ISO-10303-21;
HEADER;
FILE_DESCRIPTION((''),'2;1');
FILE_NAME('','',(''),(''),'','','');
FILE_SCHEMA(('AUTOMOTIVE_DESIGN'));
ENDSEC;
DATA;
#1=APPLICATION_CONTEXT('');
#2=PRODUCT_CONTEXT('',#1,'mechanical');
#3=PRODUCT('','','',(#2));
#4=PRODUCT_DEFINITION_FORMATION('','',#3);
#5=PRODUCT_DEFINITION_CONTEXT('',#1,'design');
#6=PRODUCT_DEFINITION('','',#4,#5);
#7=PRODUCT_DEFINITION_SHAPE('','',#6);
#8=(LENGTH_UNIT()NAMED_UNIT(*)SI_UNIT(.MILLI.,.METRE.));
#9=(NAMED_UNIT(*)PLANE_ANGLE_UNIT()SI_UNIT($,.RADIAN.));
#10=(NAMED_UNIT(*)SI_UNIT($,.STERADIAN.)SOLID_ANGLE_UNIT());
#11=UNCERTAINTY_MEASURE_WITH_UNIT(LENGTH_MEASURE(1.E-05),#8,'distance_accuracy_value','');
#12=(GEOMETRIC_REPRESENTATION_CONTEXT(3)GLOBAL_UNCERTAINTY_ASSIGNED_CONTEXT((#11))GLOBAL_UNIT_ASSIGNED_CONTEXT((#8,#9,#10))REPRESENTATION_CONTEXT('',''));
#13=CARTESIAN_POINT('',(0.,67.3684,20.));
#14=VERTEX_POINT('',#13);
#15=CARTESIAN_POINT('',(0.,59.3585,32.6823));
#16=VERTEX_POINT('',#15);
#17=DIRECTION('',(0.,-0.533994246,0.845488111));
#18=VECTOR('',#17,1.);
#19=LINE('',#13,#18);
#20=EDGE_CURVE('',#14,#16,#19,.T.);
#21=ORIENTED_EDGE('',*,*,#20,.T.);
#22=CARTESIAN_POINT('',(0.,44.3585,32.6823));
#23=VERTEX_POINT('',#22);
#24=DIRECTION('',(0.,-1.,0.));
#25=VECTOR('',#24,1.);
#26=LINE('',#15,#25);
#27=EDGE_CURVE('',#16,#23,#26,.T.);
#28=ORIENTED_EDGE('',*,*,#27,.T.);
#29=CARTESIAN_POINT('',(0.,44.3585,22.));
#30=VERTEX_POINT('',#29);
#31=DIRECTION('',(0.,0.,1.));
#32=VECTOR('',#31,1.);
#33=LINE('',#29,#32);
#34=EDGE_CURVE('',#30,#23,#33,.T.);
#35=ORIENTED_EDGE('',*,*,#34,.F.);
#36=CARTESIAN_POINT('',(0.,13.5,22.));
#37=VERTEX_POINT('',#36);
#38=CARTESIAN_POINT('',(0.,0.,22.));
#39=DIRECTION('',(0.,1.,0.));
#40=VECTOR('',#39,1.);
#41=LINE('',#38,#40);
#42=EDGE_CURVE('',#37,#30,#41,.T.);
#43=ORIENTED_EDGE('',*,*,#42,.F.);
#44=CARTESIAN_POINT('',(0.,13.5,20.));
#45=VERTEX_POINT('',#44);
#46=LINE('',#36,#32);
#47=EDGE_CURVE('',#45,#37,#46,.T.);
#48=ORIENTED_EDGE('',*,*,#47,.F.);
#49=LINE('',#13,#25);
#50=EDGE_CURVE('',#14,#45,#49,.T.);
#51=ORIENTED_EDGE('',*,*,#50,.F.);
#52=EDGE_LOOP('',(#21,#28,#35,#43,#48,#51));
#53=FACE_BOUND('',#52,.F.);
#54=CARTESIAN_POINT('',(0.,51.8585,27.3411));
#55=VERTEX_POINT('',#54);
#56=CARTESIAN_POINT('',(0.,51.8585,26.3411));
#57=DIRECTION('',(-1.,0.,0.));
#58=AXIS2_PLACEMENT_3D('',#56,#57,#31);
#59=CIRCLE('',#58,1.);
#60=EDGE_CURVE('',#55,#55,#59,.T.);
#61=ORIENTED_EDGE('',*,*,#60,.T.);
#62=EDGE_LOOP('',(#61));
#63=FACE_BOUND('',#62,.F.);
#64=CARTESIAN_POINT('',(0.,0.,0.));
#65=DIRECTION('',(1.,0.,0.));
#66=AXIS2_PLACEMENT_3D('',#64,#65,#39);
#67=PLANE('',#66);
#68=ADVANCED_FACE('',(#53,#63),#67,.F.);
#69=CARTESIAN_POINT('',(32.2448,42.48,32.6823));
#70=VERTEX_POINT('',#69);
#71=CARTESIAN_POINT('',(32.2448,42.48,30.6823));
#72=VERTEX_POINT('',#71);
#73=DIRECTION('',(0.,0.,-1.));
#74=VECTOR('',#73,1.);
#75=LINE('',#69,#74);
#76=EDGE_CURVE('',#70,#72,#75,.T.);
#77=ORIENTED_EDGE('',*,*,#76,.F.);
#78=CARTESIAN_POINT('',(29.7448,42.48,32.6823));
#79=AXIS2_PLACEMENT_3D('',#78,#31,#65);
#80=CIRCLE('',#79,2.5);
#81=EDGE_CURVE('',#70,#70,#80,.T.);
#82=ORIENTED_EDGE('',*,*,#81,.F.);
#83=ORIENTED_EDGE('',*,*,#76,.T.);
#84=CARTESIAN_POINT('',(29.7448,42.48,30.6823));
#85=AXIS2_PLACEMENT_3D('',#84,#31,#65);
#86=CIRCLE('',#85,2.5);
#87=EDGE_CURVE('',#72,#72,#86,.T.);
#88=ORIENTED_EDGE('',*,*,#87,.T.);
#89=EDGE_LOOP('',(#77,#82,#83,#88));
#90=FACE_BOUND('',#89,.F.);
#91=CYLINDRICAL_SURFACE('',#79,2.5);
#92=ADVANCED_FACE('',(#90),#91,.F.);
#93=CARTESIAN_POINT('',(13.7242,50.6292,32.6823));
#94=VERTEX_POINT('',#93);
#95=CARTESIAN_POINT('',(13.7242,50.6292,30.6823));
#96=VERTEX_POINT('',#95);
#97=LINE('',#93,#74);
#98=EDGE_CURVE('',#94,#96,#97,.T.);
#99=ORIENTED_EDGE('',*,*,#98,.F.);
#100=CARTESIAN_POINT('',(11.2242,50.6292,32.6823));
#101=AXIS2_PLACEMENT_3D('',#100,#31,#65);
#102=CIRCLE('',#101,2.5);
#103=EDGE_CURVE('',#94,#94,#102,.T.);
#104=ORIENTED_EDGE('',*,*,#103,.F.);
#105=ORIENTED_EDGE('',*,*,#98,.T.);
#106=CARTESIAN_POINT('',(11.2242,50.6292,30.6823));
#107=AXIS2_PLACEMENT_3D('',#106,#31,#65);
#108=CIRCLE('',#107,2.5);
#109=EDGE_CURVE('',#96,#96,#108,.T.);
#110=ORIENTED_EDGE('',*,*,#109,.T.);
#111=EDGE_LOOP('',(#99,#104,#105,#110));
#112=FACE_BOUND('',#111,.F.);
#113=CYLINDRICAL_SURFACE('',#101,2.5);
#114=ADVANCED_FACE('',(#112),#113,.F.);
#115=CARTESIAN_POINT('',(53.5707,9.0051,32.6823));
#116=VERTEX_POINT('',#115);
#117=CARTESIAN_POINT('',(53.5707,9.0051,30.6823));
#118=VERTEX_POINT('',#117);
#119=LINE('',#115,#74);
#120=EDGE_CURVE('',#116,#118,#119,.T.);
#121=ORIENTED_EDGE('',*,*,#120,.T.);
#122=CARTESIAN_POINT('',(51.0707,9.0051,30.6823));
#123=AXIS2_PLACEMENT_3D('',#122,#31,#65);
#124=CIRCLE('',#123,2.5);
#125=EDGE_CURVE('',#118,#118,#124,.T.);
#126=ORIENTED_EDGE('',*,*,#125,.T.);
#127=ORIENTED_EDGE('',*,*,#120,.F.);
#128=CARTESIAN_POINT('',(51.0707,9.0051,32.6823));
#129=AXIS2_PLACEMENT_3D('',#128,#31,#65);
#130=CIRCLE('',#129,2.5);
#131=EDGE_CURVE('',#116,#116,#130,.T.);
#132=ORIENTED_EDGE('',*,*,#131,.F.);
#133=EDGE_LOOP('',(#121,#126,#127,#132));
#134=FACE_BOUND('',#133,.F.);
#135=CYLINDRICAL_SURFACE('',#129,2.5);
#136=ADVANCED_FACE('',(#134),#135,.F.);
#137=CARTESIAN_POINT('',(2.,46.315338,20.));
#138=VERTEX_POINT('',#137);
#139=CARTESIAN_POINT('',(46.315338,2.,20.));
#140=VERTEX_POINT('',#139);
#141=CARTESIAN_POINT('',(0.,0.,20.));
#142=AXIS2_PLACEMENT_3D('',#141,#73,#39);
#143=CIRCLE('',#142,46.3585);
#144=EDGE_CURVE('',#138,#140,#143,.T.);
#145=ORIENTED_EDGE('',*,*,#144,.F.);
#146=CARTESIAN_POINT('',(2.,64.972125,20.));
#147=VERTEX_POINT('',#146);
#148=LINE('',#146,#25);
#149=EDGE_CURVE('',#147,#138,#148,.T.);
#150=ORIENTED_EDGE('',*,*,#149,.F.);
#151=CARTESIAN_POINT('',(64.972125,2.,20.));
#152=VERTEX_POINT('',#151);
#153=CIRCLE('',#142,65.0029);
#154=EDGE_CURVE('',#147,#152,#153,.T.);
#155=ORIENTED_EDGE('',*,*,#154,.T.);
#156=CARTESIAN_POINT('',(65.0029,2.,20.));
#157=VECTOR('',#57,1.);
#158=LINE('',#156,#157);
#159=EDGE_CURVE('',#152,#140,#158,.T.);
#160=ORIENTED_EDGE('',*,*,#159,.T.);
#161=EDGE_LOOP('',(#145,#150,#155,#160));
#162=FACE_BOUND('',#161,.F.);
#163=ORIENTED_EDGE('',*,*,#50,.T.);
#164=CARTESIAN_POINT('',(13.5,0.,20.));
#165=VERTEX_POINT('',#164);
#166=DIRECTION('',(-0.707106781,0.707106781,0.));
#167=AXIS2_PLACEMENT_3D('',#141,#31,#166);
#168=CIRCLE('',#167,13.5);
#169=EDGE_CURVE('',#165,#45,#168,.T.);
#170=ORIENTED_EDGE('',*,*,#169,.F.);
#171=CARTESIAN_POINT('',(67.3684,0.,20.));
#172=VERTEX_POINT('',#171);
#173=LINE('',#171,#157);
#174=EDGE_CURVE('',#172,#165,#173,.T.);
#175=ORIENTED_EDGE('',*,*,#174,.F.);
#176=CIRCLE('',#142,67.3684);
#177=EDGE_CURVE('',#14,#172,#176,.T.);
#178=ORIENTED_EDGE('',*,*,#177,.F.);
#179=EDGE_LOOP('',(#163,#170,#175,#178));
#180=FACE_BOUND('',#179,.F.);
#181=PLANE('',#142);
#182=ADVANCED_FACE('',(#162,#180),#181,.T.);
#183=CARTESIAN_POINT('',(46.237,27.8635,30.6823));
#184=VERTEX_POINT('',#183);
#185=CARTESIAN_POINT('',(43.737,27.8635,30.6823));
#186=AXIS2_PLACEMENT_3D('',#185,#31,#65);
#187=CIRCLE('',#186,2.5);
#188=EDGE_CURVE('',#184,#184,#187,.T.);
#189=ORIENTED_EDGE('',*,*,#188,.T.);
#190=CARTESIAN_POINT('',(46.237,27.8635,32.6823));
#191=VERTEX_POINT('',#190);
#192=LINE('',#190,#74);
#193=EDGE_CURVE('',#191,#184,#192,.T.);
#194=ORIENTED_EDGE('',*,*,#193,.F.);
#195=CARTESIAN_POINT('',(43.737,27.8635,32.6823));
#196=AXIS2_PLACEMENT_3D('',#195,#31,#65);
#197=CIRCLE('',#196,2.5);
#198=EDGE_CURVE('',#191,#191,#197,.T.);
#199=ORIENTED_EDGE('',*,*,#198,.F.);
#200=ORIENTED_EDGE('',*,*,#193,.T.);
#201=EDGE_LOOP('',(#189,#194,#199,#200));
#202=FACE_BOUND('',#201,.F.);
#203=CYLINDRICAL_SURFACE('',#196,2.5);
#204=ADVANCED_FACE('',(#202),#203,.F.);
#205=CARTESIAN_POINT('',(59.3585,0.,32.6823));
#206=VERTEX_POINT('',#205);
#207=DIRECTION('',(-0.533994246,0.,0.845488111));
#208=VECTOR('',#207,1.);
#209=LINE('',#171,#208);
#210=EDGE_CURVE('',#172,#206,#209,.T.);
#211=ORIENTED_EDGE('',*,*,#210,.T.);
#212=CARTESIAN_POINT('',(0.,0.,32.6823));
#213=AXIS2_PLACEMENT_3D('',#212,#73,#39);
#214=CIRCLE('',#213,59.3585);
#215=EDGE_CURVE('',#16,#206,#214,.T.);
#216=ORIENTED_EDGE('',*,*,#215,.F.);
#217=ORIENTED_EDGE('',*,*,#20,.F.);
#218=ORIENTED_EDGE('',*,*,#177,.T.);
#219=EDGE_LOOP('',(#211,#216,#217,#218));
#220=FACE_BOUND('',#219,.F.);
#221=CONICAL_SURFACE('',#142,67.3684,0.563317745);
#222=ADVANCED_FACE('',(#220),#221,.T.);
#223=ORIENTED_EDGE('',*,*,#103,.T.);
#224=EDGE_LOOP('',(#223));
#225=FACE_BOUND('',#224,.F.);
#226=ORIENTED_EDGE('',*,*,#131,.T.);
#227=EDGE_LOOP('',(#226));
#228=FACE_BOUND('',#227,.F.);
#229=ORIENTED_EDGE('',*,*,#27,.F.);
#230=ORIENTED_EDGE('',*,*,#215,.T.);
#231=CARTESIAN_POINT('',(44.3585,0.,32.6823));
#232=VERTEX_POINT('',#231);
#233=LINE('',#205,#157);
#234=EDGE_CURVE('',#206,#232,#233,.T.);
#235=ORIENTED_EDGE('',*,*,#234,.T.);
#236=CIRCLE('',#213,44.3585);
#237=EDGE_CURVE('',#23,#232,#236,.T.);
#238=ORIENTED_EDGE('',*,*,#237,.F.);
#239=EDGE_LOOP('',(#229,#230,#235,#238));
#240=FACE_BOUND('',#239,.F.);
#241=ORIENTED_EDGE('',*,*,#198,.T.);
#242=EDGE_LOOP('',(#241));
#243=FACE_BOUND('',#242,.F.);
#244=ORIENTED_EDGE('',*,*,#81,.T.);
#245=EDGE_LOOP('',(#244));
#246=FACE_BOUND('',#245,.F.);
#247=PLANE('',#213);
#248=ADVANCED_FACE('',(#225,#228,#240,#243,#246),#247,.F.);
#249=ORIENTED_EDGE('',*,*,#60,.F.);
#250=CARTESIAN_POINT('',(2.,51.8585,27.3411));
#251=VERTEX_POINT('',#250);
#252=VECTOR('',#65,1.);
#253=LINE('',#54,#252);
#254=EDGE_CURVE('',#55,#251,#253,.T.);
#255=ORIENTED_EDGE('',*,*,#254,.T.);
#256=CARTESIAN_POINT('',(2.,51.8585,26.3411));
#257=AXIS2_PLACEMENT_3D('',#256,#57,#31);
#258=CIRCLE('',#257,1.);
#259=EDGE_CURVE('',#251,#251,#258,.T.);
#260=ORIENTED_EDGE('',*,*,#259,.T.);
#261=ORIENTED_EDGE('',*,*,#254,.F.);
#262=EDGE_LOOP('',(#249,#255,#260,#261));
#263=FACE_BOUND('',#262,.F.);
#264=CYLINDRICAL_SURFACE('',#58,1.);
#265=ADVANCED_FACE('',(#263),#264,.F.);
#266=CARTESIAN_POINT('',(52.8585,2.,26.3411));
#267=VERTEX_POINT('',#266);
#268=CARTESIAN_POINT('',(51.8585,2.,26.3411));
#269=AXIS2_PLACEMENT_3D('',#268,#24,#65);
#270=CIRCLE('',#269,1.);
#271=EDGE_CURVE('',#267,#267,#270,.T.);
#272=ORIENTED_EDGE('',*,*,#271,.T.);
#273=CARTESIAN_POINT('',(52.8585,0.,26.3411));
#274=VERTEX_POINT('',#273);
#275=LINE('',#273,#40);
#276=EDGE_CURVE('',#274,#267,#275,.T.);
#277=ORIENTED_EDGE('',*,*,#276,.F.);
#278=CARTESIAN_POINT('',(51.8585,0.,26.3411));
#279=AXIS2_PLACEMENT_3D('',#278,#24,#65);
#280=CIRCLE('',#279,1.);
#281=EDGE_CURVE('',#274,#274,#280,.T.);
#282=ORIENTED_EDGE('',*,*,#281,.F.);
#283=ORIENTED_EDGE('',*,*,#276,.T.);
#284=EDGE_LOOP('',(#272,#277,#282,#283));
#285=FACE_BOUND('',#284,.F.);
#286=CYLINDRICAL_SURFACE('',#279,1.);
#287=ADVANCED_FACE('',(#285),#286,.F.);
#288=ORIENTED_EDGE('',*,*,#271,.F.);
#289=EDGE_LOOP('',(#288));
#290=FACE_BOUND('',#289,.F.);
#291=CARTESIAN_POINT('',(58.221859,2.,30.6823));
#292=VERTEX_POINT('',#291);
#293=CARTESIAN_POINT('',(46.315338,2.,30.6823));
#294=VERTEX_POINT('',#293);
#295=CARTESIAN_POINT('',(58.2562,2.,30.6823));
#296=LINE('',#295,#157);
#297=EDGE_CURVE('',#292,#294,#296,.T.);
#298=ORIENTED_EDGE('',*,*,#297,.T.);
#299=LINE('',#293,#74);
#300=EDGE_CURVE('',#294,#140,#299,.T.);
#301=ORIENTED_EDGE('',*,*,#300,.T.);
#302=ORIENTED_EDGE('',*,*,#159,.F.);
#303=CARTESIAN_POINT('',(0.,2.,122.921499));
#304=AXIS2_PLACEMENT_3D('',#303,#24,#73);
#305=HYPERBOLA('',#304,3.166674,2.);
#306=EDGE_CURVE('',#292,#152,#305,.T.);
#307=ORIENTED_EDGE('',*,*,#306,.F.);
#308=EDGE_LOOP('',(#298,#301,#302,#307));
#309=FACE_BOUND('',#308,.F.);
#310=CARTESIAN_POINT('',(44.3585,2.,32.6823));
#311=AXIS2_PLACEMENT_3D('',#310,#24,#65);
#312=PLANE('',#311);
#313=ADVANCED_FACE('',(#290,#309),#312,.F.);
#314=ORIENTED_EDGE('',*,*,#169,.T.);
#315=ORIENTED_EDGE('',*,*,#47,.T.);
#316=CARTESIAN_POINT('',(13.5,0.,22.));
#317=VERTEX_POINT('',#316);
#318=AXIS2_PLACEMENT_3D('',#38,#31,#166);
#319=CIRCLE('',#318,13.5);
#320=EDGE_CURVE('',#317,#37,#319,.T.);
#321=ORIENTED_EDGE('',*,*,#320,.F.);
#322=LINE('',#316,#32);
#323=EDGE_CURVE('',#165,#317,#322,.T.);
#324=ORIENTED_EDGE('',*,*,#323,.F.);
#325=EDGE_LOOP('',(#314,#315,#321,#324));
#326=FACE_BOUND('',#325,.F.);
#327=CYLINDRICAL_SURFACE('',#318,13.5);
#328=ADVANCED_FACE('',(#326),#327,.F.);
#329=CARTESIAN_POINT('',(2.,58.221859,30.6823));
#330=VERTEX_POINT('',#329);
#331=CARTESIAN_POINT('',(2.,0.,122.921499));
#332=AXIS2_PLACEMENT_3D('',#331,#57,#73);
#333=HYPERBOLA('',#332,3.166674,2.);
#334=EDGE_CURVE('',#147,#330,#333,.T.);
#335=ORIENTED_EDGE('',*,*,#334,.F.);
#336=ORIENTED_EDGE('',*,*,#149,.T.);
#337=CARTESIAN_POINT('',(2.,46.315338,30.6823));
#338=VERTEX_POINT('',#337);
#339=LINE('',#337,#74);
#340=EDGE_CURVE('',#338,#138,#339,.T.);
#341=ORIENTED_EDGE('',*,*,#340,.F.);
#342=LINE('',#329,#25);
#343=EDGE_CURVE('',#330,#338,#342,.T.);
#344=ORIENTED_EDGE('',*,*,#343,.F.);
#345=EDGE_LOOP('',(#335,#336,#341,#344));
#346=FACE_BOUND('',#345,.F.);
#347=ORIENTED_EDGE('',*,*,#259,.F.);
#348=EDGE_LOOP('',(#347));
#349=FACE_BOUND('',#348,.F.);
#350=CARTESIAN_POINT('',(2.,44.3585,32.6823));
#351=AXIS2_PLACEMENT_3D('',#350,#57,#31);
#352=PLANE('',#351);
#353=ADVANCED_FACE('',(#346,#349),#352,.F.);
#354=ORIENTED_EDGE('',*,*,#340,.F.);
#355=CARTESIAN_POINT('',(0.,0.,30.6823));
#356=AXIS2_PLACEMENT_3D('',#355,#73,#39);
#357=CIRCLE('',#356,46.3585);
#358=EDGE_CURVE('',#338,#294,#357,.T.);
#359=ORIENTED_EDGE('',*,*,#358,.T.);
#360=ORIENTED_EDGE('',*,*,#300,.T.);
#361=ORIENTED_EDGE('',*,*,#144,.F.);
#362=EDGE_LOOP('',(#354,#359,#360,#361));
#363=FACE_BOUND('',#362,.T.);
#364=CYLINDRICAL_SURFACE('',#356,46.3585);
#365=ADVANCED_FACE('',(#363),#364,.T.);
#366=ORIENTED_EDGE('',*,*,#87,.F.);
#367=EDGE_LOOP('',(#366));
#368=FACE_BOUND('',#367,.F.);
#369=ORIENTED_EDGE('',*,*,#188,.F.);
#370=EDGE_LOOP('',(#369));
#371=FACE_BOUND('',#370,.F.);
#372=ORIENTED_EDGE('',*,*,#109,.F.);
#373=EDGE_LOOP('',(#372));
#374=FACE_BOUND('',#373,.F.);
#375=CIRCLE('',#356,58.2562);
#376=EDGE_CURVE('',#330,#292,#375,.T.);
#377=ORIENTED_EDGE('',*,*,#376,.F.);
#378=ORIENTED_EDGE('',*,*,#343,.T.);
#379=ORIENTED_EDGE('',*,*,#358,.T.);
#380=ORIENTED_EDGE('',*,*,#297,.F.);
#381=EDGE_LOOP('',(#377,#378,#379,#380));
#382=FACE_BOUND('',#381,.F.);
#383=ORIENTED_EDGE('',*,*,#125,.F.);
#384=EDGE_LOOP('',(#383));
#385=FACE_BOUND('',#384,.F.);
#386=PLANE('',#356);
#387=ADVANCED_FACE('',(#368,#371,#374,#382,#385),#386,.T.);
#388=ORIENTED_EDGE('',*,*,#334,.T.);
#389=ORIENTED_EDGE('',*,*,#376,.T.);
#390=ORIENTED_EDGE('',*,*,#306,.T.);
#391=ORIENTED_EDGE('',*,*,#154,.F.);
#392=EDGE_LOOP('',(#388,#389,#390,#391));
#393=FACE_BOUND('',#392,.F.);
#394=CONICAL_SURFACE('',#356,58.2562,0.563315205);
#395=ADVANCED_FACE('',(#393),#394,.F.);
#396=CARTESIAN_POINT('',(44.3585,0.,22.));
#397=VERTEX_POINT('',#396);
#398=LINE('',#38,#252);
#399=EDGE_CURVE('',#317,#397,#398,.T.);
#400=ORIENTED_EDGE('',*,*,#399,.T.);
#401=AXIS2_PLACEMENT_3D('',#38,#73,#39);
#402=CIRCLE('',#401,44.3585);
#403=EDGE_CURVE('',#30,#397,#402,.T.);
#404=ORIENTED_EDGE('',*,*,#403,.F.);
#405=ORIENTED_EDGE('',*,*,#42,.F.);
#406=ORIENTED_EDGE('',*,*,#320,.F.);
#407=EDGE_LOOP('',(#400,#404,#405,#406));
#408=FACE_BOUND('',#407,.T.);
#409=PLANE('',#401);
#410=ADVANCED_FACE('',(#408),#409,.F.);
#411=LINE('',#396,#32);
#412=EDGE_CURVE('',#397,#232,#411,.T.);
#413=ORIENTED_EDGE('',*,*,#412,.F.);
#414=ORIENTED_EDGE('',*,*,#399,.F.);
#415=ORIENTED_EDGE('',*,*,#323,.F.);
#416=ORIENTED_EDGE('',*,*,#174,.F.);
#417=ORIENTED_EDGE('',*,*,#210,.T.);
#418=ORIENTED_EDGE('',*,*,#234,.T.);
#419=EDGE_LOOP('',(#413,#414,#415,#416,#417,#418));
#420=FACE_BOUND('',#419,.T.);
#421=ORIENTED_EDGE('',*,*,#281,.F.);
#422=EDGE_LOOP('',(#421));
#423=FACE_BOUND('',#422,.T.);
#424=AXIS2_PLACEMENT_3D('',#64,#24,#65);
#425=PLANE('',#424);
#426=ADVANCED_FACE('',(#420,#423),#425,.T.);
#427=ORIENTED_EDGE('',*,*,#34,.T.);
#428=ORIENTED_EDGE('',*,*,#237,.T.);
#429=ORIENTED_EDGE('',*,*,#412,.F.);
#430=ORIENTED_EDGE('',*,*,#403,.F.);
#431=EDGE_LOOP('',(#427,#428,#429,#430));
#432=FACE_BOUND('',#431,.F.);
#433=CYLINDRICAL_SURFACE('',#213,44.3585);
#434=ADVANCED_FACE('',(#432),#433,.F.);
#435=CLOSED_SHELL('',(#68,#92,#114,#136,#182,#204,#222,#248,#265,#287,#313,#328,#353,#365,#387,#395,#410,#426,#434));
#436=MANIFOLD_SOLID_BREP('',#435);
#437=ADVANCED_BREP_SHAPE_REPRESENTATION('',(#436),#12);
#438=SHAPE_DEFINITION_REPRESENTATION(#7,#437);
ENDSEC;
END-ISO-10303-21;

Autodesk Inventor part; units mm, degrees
ref_plane "YZ Plane" through (0, 0, 0) normal (1, 0, 0) x (0, 1, 0)
ref_plane "XZ Plane" through (0, 0, 0) normal (0, 1, 0) x (-1, 0, 0)
ref_plane "XY Plane" through (0, 0, 0) normal (0, 0, 1) x (1, 0, 0)
sketch "Esquisse4" plane through (0, 0, 0) normal (1, 0, 0) x (0, 1, 0)
  line L0 (0, 0) -> (80, 0) construction
  line L1 (0, 0) -> (0, 76) construction
  line L2 (0, 76) -> (32, 76) construction
  line L3 (32, 76) -> (80, 0) construction
  line L4 (67.3684, 0) -> (67.3684, 20) construction
  line L5 (67.3684, 20) -> (0, 20) construction
  line L6 (67.3684, 20) -> (59.3585, 32.6823)
  line L7 (0, 20) -> (0, 22)
  line L8 (59.3585, 32.6823) -> (44.3585, 32.6823)
  line L9 (44.3585, 32.6823) -> (44.3585, 20)
  line L10 (44.3585, 20) -> (46.3585, 20)
  line L11 (46.3585, 20) -> (46.3585, 32.6823) construction
  line L12 (46.3585, 32.6823) -> (46.3585, 30.6823) construction
  line L13 (46.3585, 30.6823) -> (60.6217, 30.6823) construction
  line L14 (46.3585, 30.6823) -> (46.3585, 20)
  line L15 (58.2562, 30.6823) -> (65.0029, 20)
  line L16 (60.6217, 30.6823) -> (58.9307, 29.6143) construction
  line L17 (46.3585, 30.6823) -> (58.2562, 30.6823)
  line L18 (65.0029, 20) -> (67.3684, 20)
  line L19 (0, 20) -> (44.3585, 20)
  line L20 (0, 22) -> (44.3585, 22)
  dimension "d23" = 80
  dimension "d24" = 76
  dimension "d25" = 32
  dimension "d27" = 20
  dimension "d28" = 15
  dimension "d29" = 2
  dimension "d30" = 15
  dimension "d31" = 2
  dimension "d32" = 2
  dimension "d33" = 2
revolve "Révolution2" add sketch "Esquisse4" angle 90 about axis through (0, 0, 0) along (0, 0, -1)
sketch "Esquisse9" plane through (0, 0, 22) normal (0, 0, 1) x (-0.7071, 0.7071, 0)
  circle A0 centre (0, 0) radius 44.3585 projected
  circle A1 centre (0, 0) radius 13.5
  dimension "d35" = 27
extrude "Extrusion3" cut sketch "Esquisse9" against normal blind 10 contours A1
sketch "Esquisse14" plane through (0, 44.3585, 32.6823) normal (-1, 0, 0) x (0, 0, 1)
  line L0 (0, 0) -> (-10.6823, 0) projected
  line L1 (-12.6823, 20.6444) -> (-12.6823, 23.0099) projected
  line L2 (-2, 13.8977) -> (-12.6823, 20.6444) projected
  line L3 (-2, 2) -> (-2, 13.8977) projected
  line L4 (-12.6823, -30.8585) -> (-12.6823, 2) projected
  line L5 (-12.6823, 20.6444) -> (-2, 13.8977)
  line L6 (-2, 13.8977) -> (-2, 0)
  line L7 (-2, 0) -> (-12.6823, 0)
  line L8 (-12.6823, 0) -> (-12.6823, 20.6444)
  point P0 (-32.6823, -44.3585)
extrude "Extrusion8" add sketch "Esquisse14" against normal blind 2
sketch "Esquisse15" plane through (44.3585, 0, 32.6823) normal (0, -1, 0) x (1, 0, 0)
  line L0 (-30.8585, -10.6823) -> (-30.8585, -12.6823) projected
  line L1 (-30.8585, -12.6823) -> (2, -12.6823) projected
  line L2 (13.8977, -2) -> (20.6444, -12.6823) projected
  line L3 (0, 0) -> (0, -10.6823) projected
  line L4 (0, -10.6823) -> (-30.8585, -10.6823) projected
  line L5 (20.6444, -12.6823) -> (13.8977, -2)
  line L6 (13.8977, -2) -> (0, -2)
  line L7 (0, -2) -> (0, -12.6823)
  line L8 (0, -12.6823) -> (20.6444, -12.6823)
  point P0 (-44.3585, -32.6823)
extrude "Extrusion9" add sketch "Esquisse15" against normal blind 2
sketch "Esquisse17" plane through (44.3585, 0, 32.6823) normal (0, -1, 0) x (1, 0, 0)
  line L0 (-30.8585, -12.6823) -> (23.0099, -12.6823) projected
  line L1 (15, 0) -> (0, 0) projected
  line L2 (15, 0) -> (0, 0) construction
  line L3 (7.5, 0) -> (7.5, -12.6823) construction
  circle A0 centre (7.5, -6.3412) radius 1
  point P0 (-44.3585, -32.6823)
  dimension "d61" = 2
extrude "Extrusion10" cut sketch "Esquisse17" against normal blind 2
sketch "Esquisse18" plane through (0, 44.3585, 32.6823) normal (-1, 0, 0) x (0, 0, 1)
  line L0 (-12.6823, -30.8585) -> (-12.6823, 23.0099) projected
  line L1 (0, 15) -> (0, 0) projected
  line L2 (0, 0) -> (0, 15) construction
  line L3 (0, 7.5) -> (-12.6823, 7.5) construction
  circle A0 centre (-6.3412, 7.5) radius 1
  point P0 (-32.6823, -44.3585)
  dimension "d64" = 2
extrude "Extrusion11" cut sketch "Esquisse18" against normal blind 2
sketch "Esquisse19" plane through (0, 44.3585, 32.6823) normal (0, 0, 1) x (1, 0, 0)
  arc A0 (44.3585, -44.3585) -> (0, 0) centre (0, -44.3585) ccw projected
  line L0 (59.3585, -44.3585) -> (44.3585, -44.3585) projected
  arc A1 (59.3585, -44.3585) -> (0, 15) centre (0, -44.3585) ccw projected
  line L1 (0, -44.3585) -> (59.3585, -44.3585) construction
  line L2 (44.3585, -44.3585) -> (59.3585, -44.3585) construction
  line L3 (0, -44.3585) -> (50.0625, -12.4652) construction
  line L4 (37.4116, -20.5247) -> (50.0625, -12.4652) construction
  circle A2 centre (43.737, -16.495) radius 2.5
  circle A3 centre (29.7448, -1.8785) radius 2.5
  circle A4 centre (11.2242, 6.2707) radius 2.5
  circle A5 centre (-9.0051, 6.7122) radius 2.5
  circle A6 centre (-27.8636, -0.6215) radius 2.5
  circle A7 centre (-42.48, -14.6137) radius 2.5
  circle A8 centre (-50.6293, -33.1343) radius 2.5
  circle A9 centre (-51.0707, -53.3637) radius 2.5
  circle A10 centre (-43.737, -72.2221) radius 2.5
  circle A11 centre (-29.7448, -86.8385) radius 2.5
  circle A12 centre (-11.2242, -94.9878) radius 2.5
  circle A13 centre (9.0051, -95.4292) radius 2.5
  circle A14 centre (27.8636, -88.0956) radius 2.5
  circle A15 centre (42.48, -74.1034) radius 2.5
  circle A16 centre (50.6293, -55.5828) radius 2.5
  circle A17 centre (51.0707, -35.3534) radius 2.5
  dimension "d67" = 32.5
  dimension "d68" = 5
  dimension "d71" = 360
extrude "Extrusion12" cut sketch "Esquisse19" against normal through all contours A2 | A3 | A4 | A17
properties part number "led"
